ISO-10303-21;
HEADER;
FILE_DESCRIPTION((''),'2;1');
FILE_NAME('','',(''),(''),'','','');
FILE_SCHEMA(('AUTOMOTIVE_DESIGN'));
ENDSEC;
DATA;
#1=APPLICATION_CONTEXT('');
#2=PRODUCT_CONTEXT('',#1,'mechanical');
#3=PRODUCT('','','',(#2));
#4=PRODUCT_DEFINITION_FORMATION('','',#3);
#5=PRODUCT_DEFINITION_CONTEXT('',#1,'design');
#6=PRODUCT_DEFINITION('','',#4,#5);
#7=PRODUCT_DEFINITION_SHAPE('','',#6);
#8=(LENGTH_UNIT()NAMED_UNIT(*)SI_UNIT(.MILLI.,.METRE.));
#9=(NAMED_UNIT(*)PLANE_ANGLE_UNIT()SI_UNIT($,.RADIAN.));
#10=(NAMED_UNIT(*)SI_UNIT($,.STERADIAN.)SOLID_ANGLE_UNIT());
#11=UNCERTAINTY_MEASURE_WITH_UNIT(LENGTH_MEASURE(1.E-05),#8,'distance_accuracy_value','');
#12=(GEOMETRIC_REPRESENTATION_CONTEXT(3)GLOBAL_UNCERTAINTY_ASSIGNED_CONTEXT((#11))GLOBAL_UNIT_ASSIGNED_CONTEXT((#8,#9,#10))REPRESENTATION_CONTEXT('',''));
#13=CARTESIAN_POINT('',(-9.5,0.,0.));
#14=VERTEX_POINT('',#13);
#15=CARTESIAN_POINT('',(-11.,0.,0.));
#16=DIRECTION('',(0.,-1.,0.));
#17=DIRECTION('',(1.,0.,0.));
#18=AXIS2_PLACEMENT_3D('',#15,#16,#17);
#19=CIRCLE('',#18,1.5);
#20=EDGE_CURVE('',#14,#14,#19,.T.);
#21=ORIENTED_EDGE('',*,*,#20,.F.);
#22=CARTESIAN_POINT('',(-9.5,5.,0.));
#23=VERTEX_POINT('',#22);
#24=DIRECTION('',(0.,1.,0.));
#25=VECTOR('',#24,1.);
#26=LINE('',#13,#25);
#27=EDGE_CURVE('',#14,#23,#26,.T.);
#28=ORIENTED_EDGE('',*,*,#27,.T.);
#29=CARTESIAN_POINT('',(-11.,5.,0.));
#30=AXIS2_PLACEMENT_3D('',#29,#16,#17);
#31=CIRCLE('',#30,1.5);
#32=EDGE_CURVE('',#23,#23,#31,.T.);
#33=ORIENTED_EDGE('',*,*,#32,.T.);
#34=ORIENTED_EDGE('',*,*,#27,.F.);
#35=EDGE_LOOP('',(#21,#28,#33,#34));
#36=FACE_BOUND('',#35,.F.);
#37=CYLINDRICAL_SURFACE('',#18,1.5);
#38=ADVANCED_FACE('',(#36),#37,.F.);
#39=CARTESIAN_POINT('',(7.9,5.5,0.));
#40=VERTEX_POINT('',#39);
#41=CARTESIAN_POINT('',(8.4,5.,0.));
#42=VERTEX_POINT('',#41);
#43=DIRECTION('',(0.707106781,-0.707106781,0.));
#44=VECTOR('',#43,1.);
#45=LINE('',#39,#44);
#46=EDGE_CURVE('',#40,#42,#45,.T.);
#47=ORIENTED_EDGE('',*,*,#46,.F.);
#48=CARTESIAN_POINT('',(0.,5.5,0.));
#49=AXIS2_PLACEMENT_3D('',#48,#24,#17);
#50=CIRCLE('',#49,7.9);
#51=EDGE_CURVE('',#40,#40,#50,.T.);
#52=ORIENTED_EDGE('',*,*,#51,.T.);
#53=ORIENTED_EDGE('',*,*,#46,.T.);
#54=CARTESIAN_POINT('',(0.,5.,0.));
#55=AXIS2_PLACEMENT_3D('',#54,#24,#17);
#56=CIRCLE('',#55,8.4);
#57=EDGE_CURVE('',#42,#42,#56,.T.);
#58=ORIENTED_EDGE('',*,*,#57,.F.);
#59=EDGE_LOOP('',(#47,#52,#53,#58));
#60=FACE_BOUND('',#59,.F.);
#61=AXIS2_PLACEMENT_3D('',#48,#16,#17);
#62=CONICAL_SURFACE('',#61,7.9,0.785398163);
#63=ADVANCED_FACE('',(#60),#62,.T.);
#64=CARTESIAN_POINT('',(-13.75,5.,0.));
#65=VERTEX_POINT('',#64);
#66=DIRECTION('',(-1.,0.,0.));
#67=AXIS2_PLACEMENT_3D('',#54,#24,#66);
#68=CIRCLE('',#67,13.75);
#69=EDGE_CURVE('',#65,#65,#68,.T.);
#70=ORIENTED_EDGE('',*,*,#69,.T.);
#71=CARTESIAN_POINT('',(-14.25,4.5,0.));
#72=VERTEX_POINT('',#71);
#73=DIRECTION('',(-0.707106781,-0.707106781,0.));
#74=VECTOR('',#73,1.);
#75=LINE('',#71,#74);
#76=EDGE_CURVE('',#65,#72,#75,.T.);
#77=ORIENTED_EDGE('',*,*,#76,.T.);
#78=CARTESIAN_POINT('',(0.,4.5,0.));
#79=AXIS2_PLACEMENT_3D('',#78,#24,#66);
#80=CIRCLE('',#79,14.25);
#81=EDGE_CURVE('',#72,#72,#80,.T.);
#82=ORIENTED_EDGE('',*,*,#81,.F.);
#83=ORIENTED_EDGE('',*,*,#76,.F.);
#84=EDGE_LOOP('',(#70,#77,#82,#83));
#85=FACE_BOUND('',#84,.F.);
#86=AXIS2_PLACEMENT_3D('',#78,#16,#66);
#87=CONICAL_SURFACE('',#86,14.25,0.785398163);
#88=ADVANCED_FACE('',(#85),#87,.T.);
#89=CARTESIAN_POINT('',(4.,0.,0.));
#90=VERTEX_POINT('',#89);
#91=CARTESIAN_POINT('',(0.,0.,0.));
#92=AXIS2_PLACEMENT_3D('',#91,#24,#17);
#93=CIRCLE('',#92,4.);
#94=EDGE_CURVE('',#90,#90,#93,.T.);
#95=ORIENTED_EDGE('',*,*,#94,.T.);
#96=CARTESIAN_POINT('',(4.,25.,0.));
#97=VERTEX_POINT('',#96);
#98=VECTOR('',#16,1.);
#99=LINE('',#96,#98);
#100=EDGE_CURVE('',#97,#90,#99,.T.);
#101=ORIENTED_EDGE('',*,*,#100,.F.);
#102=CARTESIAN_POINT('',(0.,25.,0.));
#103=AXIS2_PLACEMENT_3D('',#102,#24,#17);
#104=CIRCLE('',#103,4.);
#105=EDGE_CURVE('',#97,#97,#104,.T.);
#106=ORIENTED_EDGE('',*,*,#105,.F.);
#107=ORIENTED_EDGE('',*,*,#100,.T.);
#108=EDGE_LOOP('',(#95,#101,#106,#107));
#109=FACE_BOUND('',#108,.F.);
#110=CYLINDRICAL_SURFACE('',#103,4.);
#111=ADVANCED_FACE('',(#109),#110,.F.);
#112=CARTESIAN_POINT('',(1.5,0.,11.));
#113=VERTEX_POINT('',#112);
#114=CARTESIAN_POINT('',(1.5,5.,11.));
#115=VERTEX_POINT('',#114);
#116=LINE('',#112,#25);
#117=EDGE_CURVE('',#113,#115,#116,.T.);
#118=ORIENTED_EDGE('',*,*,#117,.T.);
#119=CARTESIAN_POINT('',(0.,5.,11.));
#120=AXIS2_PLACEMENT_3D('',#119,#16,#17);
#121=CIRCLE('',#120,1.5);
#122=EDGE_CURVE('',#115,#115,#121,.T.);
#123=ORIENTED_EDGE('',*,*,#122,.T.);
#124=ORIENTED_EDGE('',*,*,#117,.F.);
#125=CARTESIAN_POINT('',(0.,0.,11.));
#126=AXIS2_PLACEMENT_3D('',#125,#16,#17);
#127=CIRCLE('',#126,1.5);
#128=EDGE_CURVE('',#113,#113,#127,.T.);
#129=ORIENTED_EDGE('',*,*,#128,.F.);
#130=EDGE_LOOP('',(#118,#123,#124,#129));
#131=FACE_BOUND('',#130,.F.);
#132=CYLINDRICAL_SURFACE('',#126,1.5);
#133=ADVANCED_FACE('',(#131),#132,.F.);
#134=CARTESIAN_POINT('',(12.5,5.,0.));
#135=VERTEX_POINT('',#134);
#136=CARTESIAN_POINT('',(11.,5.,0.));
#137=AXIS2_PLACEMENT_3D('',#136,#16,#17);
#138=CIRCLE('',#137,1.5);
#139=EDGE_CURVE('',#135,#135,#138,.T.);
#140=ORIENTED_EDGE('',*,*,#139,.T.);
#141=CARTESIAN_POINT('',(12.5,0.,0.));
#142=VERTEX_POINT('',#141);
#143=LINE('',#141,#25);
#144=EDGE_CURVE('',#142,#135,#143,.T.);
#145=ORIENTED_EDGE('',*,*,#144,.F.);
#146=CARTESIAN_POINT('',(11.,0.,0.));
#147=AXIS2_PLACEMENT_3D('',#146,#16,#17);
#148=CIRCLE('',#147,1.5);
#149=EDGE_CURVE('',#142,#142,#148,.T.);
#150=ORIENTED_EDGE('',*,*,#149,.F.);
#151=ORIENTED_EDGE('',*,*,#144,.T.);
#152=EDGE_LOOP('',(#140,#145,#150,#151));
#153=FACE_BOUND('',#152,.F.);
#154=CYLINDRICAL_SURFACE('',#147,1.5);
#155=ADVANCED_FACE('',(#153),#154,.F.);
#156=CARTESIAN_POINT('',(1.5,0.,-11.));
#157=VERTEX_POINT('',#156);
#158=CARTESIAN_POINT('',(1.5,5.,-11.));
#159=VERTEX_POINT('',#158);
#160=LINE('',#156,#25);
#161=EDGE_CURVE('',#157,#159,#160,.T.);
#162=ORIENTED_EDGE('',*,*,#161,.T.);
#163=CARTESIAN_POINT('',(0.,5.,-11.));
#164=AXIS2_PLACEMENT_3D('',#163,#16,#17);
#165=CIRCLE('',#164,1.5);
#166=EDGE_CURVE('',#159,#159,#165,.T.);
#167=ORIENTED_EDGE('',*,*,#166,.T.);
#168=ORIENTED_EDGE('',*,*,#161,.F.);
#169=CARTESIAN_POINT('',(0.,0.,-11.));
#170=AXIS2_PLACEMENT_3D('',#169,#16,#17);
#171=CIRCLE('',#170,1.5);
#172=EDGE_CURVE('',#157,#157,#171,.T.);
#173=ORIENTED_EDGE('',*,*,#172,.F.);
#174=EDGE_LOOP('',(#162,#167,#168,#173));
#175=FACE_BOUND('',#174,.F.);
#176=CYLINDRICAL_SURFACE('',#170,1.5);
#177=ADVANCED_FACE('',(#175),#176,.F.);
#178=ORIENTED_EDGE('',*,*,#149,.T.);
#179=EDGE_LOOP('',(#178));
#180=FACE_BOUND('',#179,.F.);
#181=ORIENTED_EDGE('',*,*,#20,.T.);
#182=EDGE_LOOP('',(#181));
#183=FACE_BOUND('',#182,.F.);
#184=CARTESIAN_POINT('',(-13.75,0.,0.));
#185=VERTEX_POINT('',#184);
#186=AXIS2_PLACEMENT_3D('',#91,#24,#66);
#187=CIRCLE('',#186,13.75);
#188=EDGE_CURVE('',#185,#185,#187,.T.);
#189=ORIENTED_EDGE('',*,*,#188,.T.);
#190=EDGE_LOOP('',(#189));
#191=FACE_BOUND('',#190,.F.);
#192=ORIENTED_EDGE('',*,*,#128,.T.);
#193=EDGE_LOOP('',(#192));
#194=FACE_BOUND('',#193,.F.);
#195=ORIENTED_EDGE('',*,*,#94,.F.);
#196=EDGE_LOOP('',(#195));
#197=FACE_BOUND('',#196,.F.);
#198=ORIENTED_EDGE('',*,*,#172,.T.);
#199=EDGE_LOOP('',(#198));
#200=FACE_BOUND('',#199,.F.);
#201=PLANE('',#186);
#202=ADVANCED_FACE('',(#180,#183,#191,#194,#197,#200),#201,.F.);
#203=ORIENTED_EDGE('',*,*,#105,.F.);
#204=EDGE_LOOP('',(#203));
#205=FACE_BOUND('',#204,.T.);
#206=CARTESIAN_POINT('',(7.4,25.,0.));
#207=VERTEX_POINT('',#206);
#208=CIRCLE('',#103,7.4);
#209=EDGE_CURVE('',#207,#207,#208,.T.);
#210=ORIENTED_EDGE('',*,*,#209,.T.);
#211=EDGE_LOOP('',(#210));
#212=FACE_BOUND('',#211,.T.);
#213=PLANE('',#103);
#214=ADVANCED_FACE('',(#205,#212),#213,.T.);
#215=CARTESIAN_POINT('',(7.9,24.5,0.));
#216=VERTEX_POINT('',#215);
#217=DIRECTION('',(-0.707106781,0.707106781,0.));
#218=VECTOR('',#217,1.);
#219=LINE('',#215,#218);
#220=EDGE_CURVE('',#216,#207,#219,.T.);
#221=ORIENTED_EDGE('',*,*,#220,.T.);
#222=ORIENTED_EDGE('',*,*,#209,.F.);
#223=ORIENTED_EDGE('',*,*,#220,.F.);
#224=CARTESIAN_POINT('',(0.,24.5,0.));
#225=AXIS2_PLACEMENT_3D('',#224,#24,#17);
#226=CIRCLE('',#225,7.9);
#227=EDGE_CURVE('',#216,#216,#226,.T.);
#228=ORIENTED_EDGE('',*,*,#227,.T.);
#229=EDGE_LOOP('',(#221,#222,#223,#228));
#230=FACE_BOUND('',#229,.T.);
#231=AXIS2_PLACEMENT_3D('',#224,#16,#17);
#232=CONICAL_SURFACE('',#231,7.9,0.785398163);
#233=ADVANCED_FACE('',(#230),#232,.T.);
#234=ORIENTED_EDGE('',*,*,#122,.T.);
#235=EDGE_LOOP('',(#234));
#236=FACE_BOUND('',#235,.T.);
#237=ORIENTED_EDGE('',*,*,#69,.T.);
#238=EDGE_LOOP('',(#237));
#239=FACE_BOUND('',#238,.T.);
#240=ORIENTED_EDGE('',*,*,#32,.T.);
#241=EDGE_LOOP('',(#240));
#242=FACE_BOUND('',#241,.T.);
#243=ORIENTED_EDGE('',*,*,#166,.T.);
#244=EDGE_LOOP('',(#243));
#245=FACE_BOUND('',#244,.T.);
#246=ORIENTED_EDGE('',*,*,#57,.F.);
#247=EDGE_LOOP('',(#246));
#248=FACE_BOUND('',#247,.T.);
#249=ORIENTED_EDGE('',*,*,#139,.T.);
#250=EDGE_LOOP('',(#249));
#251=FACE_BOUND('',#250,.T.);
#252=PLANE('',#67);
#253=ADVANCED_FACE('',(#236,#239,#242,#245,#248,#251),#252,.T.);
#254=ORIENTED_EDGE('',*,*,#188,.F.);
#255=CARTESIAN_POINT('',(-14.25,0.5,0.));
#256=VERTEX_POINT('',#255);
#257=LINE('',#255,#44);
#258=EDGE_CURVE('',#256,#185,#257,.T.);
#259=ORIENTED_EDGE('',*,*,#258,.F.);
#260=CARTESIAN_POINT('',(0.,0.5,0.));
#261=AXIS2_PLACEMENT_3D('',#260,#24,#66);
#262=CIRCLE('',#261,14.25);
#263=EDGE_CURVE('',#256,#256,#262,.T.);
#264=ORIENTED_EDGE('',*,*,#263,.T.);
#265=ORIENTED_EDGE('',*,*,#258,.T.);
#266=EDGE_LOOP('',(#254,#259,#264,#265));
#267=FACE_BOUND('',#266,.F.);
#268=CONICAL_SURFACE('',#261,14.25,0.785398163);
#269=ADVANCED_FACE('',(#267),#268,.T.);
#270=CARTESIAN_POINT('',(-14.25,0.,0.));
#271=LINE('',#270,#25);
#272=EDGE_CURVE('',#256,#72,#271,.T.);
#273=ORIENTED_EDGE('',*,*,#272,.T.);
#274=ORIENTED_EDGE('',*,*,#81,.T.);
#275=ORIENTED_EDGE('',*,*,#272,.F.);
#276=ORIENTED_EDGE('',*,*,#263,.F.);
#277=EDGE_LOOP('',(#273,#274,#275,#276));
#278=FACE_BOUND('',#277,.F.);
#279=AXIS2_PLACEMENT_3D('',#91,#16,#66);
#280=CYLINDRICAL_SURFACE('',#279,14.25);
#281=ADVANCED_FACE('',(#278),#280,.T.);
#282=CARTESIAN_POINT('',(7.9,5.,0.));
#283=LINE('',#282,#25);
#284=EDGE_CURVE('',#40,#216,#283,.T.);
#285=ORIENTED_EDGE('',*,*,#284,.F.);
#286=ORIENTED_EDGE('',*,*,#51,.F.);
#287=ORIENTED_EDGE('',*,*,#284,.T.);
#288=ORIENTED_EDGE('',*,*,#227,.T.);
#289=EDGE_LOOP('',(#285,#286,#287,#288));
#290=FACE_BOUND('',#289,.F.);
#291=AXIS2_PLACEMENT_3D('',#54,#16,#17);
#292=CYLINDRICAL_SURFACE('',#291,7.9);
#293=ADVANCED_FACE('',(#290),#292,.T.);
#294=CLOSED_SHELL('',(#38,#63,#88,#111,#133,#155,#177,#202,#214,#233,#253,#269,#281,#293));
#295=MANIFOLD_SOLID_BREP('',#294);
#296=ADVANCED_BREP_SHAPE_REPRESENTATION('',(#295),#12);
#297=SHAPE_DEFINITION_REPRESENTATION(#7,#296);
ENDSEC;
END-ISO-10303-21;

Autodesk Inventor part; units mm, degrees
ref_plane "YZ Plane" through (0, 0, 0) normal (1, 0, 0) x (0, 1, 0)
ref_plane "XZ Plane" through (0, 0, 0) normal (0, 1, 0) x (-1, 0, 0)
ref_plane "XY Plane" through (0, 0, 0) normal (0, 0, 1) x (1, 0, 0)
sketch "Sketch1" plane through (0, 0, 0) normal (0, 1, 0) x (-1, 0, 0)
  circle A0 centre (0, 0) radius 14.25
  dimension "d0" = 28.5
extrude "Extrusion1" add sketch "Sketch1" along normal blind 5
sketch "Sketch2" plane through (0, 5, 0) normal (0, 1, 0) x (1, 0, 0)
  circle A0 centre (0, 0) radius 14.25 projected
  circle A1 centre (0, 0) radius 7.9
  dimension "d3" = 15.8
extrude "Extrusion2" add sketch "Sketch2" along normal blind 20 contours A1
sketch "Sketch3" plane through (0, 25, 0) normal (0, 1, 0) x (1, 0, 0)
  circle A0 centre (0, 0) radius 7.9 projected
  circle A1 centre (0, 0) radius 4
  dimension "d6" = 8
extrude "Extrusion3" cut sketch "Sketch3" against normal blind 25.6 contours A1
chamfer "Chamfer1" distance 0.5 angle 45 1 edges at (-7.9, 25, 0)
chamfer "Chamfer2" distance 0.5 angle 45 3 edges at (-7.9, 5, 0) (14.25, 5, 0) (14.25, 0, 0)
thread "Thread1" size "TR10x2" class "7H" standard "ISO Metric Trapezoidal Threads" full length
sketch "Sketch5" plane through (0, 0, 0) normal (0, -1, 0) x (1, 0, 0)
  circle A0 centre (0, 0) radius 4 projected
  circle A1 centre (0, 0) radius 13.75 projected
  line L0 (0, 0) -> (-13.75, 0) construction
  line L1 (0, 0) -> (13.75, 0) construction
  circle A2 centre (0, 0) radius 13.75 construction
  line L2 (0, 0) -> (0, 13.75) construction
  line L3 (0, 0) -> (0, -13.75) construction
  circle A3 centre (0, 11) radius 1.5
  circle A4 centre (11, 0) radius 1.5
  circle A5 centre (-11, 0) radius 1.5
  circle A6 centre (0, -11) radius 1.5
  dimension "d28" = 11
  dimension "d29" = 3
  dimension "d30" = 11
  dimension "d31" = 11
  dimension "d32" = 11
extrude "Extrusion5" cut sketch "Sketch5" against normal up to surface (5 mm away) contours A3 | A4 | A5 | A6
properties part number "ZACMENut" material "ABS Plastic"
